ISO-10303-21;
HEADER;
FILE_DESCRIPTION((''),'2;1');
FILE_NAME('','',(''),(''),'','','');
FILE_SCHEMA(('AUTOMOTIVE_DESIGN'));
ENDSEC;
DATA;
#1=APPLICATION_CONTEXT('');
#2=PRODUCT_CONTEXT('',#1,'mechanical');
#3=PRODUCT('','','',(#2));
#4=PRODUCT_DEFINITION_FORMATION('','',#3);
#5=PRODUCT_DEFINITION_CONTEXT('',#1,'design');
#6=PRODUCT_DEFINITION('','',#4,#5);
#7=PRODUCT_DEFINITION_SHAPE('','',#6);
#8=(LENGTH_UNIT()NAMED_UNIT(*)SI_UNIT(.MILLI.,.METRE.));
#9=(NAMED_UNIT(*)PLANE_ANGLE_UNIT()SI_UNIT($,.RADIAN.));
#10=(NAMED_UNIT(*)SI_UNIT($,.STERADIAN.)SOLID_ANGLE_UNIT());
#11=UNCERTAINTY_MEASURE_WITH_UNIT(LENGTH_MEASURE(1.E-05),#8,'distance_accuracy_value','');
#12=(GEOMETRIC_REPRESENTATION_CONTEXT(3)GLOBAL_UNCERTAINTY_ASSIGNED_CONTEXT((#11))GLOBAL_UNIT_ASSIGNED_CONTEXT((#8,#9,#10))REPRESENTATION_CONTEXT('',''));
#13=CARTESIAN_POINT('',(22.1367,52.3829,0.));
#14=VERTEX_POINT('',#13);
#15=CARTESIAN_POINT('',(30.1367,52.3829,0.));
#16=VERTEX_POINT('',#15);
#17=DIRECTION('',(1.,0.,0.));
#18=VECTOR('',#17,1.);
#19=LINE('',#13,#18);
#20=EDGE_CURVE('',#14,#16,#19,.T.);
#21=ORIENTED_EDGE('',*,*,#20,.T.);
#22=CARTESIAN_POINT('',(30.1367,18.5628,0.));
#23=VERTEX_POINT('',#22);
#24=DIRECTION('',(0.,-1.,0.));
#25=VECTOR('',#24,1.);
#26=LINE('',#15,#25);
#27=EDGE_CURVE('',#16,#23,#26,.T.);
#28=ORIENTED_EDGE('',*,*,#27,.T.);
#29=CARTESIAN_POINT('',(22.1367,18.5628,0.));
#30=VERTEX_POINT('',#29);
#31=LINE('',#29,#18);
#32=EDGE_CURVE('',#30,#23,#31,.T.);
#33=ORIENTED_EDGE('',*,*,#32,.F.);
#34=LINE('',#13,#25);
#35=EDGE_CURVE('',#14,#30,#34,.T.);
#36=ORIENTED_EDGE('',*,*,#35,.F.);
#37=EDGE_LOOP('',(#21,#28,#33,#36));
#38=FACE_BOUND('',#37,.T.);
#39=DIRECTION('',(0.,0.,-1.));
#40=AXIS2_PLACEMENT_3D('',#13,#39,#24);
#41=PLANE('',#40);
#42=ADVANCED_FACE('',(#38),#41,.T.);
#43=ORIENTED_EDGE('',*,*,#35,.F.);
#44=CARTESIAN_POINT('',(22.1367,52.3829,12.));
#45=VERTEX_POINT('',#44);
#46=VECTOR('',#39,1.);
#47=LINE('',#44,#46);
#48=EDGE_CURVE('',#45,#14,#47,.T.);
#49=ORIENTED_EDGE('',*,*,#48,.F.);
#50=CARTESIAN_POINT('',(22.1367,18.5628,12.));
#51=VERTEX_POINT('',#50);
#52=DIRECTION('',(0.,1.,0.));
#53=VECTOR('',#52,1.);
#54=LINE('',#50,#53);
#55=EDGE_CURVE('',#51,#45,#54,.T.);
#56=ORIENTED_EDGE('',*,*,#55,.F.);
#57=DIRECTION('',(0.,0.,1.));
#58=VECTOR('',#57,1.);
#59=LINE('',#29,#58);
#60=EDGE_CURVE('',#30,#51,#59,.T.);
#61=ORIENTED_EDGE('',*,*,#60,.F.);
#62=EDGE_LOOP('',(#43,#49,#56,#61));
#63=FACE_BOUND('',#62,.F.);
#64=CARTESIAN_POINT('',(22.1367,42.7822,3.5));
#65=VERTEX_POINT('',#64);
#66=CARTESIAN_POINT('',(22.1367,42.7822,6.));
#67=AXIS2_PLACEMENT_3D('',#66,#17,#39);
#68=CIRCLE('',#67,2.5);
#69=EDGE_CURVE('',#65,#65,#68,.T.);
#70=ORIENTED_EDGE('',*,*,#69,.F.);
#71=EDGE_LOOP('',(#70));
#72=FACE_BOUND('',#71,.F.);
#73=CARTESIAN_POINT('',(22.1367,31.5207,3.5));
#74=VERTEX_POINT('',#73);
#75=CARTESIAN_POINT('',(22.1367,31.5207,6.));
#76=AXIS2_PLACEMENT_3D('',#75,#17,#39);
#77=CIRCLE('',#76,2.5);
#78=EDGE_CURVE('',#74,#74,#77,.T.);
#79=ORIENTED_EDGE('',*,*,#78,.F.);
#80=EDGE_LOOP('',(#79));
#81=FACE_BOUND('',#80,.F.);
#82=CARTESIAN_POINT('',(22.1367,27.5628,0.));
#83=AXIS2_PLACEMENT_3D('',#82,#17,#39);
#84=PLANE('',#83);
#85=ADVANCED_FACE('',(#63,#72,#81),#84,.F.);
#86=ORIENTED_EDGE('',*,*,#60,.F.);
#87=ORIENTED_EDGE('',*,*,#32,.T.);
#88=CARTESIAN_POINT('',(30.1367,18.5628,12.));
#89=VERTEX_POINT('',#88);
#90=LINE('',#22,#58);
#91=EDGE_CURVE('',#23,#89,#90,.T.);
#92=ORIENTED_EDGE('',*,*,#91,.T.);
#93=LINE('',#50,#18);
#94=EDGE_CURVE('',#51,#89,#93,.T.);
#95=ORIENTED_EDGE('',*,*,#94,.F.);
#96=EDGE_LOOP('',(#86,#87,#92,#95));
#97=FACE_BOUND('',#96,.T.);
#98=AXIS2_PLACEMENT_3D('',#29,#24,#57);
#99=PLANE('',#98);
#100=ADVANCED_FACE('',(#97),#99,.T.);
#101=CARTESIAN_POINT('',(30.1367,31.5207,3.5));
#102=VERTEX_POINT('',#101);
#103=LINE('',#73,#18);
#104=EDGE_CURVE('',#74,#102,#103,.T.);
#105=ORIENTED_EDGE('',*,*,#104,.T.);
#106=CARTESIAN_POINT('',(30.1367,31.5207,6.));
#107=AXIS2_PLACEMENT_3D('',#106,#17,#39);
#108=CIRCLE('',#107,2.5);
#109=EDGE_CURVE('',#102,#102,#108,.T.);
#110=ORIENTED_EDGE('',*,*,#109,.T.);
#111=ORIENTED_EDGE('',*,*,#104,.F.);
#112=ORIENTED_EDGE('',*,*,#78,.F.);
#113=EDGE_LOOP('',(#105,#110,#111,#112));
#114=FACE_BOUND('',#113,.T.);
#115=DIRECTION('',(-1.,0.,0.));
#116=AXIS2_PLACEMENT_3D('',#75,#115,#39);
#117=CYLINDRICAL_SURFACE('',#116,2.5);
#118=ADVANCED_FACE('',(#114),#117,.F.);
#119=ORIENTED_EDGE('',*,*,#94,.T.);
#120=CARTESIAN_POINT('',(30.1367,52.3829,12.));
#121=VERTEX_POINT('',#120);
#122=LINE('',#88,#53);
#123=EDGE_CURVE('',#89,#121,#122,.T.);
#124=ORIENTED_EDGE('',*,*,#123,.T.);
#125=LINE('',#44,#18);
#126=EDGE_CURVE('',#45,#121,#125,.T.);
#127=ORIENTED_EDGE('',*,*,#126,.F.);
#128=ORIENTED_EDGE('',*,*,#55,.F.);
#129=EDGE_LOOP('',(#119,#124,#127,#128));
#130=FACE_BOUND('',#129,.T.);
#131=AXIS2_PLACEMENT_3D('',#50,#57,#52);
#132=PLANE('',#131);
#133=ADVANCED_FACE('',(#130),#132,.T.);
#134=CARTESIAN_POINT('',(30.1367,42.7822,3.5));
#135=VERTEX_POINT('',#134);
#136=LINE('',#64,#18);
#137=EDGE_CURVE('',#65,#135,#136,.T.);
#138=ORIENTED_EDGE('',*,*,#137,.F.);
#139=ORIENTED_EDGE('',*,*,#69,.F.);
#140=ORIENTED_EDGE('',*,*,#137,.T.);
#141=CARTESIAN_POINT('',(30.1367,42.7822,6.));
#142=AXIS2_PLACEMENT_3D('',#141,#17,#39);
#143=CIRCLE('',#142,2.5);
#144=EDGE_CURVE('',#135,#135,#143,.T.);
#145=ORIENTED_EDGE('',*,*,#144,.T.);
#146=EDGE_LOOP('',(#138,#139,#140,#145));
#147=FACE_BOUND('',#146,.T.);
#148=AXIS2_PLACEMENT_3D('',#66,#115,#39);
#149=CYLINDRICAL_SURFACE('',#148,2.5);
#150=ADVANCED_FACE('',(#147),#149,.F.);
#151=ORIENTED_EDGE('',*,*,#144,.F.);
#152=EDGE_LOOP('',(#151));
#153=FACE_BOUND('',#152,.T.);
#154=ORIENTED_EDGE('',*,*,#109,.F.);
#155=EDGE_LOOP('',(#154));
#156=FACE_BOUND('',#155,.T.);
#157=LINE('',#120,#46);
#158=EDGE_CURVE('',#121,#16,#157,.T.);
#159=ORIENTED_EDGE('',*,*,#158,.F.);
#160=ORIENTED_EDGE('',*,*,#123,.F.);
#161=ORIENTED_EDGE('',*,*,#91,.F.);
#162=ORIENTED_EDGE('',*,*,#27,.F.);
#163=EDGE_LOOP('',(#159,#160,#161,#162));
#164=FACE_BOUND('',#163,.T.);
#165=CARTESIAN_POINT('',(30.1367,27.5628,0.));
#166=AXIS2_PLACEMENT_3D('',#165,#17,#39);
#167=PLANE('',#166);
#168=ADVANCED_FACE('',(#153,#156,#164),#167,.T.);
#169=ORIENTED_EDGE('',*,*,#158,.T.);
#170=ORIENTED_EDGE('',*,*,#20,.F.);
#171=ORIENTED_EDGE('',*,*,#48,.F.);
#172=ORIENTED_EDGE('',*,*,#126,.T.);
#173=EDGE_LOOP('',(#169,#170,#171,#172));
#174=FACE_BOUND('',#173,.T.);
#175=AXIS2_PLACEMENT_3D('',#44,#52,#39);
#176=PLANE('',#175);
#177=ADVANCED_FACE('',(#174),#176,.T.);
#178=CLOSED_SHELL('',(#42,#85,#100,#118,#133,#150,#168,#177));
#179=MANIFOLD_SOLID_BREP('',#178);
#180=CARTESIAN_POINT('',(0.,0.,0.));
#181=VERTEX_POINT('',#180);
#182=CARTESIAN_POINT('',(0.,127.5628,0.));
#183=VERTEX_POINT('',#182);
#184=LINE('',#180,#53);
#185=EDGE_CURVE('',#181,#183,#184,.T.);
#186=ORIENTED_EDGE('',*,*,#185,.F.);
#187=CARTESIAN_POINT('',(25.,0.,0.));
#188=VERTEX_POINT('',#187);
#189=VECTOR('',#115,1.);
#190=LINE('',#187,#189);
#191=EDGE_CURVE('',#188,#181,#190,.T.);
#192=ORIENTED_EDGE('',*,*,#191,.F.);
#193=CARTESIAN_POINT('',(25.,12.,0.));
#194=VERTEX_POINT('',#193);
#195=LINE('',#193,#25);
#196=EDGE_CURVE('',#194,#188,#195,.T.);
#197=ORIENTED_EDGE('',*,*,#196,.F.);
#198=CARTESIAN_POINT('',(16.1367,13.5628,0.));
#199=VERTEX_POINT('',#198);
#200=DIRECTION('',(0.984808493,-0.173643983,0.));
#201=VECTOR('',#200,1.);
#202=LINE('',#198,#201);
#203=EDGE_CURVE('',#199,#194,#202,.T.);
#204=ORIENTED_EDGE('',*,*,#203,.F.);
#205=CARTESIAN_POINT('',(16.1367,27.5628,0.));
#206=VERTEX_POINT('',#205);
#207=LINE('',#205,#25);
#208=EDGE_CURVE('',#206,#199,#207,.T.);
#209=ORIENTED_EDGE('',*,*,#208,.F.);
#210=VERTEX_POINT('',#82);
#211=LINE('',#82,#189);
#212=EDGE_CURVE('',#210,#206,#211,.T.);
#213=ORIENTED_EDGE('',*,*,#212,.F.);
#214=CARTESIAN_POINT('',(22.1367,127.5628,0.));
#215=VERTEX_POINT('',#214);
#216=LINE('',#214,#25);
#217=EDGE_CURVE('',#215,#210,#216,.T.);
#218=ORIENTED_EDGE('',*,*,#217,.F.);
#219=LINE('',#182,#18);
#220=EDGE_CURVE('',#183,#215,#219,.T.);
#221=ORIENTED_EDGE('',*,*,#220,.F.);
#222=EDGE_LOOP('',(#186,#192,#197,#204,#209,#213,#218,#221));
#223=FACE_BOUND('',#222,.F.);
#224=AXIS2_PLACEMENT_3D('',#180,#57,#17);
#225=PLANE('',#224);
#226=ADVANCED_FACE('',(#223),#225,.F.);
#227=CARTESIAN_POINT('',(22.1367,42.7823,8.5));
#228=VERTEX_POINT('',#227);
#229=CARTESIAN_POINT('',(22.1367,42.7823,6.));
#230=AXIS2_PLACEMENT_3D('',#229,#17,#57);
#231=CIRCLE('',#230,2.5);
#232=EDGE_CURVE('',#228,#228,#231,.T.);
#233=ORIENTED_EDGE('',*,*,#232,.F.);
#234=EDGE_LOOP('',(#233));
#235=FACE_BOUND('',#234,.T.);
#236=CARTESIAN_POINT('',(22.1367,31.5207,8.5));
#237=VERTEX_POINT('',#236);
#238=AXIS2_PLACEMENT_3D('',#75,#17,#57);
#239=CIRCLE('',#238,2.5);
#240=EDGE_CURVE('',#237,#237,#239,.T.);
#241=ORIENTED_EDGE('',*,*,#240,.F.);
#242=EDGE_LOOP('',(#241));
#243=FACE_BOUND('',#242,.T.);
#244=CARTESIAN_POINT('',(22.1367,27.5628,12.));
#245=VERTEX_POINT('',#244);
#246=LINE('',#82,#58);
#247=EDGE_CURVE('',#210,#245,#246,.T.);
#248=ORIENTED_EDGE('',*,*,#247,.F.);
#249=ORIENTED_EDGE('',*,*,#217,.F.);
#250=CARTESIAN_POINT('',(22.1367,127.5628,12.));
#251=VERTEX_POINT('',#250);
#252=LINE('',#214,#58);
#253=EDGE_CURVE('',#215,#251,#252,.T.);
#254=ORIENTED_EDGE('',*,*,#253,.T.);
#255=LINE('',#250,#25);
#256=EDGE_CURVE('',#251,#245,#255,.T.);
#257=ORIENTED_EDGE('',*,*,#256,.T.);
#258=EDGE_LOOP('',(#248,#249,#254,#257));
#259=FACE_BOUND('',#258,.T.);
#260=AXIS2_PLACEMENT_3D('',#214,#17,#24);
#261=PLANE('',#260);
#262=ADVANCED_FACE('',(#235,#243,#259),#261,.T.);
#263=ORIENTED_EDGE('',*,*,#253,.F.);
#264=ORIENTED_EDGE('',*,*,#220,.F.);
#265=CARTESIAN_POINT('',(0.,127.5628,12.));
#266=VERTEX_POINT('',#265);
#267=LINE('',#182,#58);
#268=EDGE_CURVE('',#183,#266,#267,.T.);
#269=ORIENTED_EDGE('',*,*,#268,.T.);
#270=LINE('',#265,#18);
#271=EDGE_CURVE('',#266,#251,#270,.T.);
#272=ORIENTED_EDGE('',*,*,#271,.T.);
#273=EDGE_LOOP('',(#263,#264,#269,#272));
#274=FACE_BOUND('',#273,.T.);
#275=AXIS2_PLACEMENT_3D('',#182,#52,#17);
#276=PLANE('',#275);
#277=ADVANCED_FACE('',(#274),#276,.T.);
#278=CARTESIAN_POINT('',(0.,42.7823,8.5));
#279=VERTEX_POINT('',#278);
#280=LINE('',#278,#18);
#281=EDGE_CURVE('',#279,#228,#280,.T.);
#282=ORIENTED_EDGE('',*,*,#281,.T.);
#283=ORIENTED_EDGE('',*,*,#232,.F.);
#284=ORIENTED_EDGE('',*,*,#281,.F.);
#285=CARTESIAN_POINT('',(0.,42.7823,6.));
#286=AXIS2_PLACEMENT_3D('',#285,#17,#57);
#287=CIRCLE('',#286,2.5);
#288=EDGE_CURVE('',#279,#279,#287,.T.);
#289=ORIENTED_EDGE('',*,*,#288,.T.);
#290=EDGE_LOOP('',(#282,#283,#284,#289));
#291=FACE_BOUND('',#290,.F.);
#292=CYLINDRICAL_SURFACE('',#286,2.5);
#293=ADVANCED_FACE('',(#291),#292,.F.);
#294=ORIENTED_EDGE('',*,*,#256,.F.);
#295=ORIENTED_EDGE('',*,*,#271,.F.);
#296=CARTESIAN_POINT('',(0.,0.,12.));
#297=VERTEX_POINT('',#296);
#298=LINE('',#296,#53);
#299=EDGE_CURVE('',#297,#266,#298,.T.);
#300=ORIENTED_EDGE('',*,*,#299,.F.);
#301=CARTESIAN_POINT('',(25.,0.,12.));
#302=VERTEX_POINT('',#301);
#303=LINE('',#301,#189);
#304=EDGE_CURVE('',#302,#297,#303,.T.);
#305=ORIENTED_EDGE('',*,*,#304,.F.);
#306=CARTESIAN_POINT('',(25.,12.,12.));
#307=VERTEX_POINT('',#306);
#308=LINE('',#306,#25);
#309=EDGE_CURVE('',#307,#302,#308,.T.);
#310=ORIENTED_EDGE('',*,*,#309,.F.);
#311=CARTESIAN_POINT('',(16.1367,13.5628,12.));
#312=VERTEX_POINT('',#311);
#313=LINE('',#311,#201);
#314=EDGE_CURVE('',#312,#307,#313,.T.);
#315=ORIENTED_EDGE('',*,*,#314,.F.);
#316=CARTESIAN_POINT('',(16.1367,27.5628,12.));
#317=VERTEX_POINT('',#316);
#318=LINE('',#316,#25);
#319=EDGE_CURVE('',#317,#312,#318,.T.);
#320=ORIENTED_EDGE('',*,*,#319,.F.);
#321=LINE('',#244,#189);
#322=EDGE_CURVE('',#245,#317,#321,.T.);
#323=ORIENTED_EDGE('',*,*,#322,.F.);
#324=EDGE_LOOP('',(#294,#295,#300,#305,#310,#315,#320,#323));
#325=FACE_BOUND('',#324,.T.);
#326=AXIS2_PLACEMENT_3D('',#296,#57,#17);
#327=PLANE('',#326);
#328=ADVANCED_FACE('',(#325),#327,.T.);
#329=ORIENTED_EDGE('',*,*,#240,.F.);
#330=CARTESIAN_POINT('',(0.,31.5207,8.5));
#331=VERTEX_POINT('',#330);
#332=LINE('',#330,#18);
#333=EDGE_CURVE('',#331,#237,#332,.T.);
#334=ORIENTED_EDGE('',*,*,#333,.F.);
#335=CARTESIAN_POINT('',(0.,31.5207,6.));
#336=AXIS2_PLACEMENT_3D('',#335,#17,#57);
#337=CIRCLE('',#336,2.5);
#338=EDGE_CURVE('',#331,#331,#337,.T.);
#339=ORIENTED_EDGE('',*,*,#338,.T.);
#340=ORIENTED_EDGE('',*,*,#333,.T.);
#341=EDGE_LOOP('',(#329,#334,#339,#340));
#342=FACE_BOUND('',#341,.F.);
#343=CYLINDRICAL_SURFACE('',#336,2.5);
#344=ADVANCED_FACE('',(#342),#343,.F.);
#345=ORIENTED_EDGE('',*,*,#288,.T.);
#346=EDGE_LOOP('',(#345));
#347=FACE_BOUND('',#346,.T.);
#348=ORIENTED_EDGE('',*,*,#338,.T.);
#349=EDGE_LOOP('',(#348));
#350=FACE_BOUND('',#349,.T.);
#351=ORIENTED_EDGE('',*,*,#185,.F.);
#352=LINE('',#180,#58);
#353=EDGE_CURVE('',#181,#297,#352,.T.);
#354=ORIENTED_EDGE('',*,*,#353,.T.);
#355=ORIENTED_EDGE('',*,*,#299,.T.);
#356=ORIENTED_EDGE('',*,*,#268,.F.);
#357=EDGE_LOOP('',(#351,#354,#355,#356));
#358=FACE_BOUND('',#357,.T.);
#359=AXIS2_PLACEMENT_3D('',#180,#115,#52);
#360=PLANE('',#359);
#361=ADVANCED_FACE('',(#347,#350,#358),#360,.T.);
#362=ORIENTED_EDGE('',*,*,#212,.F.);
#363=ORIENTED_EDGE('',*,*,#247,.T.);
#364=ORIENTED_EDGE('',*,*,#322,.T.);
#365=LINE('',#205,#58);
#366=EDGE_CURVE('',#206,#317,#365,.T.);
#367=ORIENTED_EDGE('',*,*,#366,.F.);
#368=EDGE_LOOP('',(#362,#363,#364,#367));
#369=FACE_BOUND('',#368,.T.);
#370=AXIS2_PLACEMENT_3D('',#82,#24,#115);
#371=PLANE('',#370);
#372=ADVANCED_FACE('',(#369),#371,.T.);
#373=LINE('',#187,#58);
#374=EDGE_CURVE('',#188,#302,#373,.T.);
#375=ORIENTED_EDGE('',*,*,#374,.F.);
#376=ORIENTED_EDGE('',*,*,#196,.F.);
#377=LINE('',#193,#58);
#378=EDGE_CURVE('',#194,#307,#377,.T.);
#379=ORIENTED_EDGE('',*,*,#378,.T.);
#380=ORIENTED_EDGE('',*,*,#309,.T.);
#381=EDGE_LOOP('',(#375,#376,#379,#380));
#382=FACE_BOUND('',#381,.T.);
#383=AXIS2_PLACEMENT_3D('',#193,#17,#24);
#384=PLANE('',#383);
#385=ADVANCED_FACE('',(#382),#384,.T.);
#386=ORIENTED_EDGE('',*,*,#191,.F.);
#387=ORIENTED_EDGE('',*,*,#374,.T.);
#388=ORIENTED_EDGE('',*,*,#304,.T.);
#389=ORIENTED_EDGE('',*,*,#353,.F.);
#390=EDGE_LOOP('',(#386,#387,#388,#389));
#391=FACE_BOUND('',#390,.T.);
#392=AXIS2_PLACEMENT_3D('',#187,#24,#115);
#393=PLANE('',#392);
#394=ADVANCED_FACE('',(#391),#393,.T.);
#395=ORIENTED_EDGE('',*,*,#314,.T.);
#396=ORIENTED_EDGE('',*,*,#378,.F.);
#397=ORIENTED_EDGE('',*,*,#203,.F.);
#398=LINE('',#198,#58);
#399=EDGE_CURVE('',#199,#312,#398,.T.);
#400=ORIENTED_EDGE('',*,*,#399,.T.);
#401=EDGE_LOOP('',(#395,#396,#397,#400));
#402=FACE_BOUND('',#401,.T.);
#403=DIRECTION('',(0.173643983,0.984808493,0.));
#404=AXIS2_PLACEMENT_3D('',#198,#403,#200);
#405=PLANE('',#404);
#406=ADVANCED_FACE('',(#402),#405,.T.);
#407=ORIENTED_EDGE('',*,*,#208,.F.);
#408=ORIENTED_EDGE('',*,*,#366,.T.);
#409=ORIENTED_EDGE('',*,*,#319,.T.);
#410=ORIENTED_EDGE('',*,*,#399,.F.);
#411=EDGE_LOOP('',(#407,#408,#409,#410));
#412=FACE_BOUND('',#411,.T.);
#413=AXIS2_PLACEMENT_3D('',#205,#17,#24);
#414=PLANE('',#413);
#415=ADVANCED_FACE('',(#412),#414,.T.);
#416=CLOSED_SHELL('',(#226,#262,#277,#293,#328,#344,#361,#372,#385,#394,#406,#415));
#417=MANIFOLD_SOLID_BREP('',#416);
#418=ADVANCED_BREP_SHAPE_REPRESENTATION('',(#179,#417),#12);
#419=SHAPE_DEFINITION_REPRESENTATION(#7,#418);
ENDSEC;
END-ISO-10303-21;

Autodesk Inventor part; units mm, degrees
ref_plane "YZ Plane" through (0, 0, 0) normal (1, 0, 0) x (0, 1, 0)
ref_plane "XZ Plane" through (0, 0, 0) normal (0, 1, 0) x (-1, 0, 0)
ref_plane "XY Plane" through (0, 0, 0) normal (0, 0, 1) x (1, 0, 0)
sketch "Sketch1" plane through (0, 0, 0) normal (0, 0, 1) x (1, 0, 0)
  line L0 (0, 0) -> (0, 127.5628)
  line L1 (0, 127.5628) -> (22.1367, 127.5628)
  line L2 (22.1367, 27.5628) -> (16.1367, 27.5628)
  line L3 (16.1367, 27.5628) -> (16.1367, 13.5628)
  line L4 (25, 12) -> (25, 0)
  line L5 (25, 0) -> (0, 0)
  line L6 (22.1367, 127.5628) -> (22.1367, 27.5628)
  line L7 (16.1367, 13.5628) -> (25, 12)
  dimension "d1" = 14
  dimension "d2" = 6
  dimension "d3" = 12
  dimension "d4" = 100
  dimension "d5" = 9
  dimension "d6" = 25
  dimension "d9" = 100
extrude "Extrusion1" add sketch "Sketch1" along normal blind 12
sketch "Sketch2" plane through (22.1367, 27.5628, 0) normal (1, 0, 0) x (0, 0, -1)
  line L0 (0, 0) -> (-12, 0) construction
  line L1 (-12, 24.8201) -> (0, 24.8201)
  line L2 (0, 24.8201) -> (0, -9)
  line L3 (0, -9) -> (-12, -9)
  line L4 (-12, -9) -> (-12, 24.8201)
  line L5 (-6, 0) -> (-6, 34.7527) construction
  circle A0 centre (-6, 15.2194) radius 2.5
  circle A1 centre (-6, 3.9579) radius 2.5
  point P0 (0, -27.5628)
  dimension "d11" = 9
  dimension "d12" = 5
  dimension "d13" = 5
extrude "Extrusion2" add sketch "Sketch2" along normal blind 8 separate body
sketch "Sketch3" plane through (0, 0, 0) normal (-1, 0, 0) x (0, 0, 1)
  circle A0 centre (6, 42.7823) radius 2.5 projected
  circle A1 centre (6, 31.5207) radius 2.5 projected
  point P0 (0, 0)
hole "Hole1" at (0, 31.5207, 6) at (0, 42.7823, 6) direction (1, 0, 0) diameter 5 end through all bodies 1
properties part number "RimKey"
